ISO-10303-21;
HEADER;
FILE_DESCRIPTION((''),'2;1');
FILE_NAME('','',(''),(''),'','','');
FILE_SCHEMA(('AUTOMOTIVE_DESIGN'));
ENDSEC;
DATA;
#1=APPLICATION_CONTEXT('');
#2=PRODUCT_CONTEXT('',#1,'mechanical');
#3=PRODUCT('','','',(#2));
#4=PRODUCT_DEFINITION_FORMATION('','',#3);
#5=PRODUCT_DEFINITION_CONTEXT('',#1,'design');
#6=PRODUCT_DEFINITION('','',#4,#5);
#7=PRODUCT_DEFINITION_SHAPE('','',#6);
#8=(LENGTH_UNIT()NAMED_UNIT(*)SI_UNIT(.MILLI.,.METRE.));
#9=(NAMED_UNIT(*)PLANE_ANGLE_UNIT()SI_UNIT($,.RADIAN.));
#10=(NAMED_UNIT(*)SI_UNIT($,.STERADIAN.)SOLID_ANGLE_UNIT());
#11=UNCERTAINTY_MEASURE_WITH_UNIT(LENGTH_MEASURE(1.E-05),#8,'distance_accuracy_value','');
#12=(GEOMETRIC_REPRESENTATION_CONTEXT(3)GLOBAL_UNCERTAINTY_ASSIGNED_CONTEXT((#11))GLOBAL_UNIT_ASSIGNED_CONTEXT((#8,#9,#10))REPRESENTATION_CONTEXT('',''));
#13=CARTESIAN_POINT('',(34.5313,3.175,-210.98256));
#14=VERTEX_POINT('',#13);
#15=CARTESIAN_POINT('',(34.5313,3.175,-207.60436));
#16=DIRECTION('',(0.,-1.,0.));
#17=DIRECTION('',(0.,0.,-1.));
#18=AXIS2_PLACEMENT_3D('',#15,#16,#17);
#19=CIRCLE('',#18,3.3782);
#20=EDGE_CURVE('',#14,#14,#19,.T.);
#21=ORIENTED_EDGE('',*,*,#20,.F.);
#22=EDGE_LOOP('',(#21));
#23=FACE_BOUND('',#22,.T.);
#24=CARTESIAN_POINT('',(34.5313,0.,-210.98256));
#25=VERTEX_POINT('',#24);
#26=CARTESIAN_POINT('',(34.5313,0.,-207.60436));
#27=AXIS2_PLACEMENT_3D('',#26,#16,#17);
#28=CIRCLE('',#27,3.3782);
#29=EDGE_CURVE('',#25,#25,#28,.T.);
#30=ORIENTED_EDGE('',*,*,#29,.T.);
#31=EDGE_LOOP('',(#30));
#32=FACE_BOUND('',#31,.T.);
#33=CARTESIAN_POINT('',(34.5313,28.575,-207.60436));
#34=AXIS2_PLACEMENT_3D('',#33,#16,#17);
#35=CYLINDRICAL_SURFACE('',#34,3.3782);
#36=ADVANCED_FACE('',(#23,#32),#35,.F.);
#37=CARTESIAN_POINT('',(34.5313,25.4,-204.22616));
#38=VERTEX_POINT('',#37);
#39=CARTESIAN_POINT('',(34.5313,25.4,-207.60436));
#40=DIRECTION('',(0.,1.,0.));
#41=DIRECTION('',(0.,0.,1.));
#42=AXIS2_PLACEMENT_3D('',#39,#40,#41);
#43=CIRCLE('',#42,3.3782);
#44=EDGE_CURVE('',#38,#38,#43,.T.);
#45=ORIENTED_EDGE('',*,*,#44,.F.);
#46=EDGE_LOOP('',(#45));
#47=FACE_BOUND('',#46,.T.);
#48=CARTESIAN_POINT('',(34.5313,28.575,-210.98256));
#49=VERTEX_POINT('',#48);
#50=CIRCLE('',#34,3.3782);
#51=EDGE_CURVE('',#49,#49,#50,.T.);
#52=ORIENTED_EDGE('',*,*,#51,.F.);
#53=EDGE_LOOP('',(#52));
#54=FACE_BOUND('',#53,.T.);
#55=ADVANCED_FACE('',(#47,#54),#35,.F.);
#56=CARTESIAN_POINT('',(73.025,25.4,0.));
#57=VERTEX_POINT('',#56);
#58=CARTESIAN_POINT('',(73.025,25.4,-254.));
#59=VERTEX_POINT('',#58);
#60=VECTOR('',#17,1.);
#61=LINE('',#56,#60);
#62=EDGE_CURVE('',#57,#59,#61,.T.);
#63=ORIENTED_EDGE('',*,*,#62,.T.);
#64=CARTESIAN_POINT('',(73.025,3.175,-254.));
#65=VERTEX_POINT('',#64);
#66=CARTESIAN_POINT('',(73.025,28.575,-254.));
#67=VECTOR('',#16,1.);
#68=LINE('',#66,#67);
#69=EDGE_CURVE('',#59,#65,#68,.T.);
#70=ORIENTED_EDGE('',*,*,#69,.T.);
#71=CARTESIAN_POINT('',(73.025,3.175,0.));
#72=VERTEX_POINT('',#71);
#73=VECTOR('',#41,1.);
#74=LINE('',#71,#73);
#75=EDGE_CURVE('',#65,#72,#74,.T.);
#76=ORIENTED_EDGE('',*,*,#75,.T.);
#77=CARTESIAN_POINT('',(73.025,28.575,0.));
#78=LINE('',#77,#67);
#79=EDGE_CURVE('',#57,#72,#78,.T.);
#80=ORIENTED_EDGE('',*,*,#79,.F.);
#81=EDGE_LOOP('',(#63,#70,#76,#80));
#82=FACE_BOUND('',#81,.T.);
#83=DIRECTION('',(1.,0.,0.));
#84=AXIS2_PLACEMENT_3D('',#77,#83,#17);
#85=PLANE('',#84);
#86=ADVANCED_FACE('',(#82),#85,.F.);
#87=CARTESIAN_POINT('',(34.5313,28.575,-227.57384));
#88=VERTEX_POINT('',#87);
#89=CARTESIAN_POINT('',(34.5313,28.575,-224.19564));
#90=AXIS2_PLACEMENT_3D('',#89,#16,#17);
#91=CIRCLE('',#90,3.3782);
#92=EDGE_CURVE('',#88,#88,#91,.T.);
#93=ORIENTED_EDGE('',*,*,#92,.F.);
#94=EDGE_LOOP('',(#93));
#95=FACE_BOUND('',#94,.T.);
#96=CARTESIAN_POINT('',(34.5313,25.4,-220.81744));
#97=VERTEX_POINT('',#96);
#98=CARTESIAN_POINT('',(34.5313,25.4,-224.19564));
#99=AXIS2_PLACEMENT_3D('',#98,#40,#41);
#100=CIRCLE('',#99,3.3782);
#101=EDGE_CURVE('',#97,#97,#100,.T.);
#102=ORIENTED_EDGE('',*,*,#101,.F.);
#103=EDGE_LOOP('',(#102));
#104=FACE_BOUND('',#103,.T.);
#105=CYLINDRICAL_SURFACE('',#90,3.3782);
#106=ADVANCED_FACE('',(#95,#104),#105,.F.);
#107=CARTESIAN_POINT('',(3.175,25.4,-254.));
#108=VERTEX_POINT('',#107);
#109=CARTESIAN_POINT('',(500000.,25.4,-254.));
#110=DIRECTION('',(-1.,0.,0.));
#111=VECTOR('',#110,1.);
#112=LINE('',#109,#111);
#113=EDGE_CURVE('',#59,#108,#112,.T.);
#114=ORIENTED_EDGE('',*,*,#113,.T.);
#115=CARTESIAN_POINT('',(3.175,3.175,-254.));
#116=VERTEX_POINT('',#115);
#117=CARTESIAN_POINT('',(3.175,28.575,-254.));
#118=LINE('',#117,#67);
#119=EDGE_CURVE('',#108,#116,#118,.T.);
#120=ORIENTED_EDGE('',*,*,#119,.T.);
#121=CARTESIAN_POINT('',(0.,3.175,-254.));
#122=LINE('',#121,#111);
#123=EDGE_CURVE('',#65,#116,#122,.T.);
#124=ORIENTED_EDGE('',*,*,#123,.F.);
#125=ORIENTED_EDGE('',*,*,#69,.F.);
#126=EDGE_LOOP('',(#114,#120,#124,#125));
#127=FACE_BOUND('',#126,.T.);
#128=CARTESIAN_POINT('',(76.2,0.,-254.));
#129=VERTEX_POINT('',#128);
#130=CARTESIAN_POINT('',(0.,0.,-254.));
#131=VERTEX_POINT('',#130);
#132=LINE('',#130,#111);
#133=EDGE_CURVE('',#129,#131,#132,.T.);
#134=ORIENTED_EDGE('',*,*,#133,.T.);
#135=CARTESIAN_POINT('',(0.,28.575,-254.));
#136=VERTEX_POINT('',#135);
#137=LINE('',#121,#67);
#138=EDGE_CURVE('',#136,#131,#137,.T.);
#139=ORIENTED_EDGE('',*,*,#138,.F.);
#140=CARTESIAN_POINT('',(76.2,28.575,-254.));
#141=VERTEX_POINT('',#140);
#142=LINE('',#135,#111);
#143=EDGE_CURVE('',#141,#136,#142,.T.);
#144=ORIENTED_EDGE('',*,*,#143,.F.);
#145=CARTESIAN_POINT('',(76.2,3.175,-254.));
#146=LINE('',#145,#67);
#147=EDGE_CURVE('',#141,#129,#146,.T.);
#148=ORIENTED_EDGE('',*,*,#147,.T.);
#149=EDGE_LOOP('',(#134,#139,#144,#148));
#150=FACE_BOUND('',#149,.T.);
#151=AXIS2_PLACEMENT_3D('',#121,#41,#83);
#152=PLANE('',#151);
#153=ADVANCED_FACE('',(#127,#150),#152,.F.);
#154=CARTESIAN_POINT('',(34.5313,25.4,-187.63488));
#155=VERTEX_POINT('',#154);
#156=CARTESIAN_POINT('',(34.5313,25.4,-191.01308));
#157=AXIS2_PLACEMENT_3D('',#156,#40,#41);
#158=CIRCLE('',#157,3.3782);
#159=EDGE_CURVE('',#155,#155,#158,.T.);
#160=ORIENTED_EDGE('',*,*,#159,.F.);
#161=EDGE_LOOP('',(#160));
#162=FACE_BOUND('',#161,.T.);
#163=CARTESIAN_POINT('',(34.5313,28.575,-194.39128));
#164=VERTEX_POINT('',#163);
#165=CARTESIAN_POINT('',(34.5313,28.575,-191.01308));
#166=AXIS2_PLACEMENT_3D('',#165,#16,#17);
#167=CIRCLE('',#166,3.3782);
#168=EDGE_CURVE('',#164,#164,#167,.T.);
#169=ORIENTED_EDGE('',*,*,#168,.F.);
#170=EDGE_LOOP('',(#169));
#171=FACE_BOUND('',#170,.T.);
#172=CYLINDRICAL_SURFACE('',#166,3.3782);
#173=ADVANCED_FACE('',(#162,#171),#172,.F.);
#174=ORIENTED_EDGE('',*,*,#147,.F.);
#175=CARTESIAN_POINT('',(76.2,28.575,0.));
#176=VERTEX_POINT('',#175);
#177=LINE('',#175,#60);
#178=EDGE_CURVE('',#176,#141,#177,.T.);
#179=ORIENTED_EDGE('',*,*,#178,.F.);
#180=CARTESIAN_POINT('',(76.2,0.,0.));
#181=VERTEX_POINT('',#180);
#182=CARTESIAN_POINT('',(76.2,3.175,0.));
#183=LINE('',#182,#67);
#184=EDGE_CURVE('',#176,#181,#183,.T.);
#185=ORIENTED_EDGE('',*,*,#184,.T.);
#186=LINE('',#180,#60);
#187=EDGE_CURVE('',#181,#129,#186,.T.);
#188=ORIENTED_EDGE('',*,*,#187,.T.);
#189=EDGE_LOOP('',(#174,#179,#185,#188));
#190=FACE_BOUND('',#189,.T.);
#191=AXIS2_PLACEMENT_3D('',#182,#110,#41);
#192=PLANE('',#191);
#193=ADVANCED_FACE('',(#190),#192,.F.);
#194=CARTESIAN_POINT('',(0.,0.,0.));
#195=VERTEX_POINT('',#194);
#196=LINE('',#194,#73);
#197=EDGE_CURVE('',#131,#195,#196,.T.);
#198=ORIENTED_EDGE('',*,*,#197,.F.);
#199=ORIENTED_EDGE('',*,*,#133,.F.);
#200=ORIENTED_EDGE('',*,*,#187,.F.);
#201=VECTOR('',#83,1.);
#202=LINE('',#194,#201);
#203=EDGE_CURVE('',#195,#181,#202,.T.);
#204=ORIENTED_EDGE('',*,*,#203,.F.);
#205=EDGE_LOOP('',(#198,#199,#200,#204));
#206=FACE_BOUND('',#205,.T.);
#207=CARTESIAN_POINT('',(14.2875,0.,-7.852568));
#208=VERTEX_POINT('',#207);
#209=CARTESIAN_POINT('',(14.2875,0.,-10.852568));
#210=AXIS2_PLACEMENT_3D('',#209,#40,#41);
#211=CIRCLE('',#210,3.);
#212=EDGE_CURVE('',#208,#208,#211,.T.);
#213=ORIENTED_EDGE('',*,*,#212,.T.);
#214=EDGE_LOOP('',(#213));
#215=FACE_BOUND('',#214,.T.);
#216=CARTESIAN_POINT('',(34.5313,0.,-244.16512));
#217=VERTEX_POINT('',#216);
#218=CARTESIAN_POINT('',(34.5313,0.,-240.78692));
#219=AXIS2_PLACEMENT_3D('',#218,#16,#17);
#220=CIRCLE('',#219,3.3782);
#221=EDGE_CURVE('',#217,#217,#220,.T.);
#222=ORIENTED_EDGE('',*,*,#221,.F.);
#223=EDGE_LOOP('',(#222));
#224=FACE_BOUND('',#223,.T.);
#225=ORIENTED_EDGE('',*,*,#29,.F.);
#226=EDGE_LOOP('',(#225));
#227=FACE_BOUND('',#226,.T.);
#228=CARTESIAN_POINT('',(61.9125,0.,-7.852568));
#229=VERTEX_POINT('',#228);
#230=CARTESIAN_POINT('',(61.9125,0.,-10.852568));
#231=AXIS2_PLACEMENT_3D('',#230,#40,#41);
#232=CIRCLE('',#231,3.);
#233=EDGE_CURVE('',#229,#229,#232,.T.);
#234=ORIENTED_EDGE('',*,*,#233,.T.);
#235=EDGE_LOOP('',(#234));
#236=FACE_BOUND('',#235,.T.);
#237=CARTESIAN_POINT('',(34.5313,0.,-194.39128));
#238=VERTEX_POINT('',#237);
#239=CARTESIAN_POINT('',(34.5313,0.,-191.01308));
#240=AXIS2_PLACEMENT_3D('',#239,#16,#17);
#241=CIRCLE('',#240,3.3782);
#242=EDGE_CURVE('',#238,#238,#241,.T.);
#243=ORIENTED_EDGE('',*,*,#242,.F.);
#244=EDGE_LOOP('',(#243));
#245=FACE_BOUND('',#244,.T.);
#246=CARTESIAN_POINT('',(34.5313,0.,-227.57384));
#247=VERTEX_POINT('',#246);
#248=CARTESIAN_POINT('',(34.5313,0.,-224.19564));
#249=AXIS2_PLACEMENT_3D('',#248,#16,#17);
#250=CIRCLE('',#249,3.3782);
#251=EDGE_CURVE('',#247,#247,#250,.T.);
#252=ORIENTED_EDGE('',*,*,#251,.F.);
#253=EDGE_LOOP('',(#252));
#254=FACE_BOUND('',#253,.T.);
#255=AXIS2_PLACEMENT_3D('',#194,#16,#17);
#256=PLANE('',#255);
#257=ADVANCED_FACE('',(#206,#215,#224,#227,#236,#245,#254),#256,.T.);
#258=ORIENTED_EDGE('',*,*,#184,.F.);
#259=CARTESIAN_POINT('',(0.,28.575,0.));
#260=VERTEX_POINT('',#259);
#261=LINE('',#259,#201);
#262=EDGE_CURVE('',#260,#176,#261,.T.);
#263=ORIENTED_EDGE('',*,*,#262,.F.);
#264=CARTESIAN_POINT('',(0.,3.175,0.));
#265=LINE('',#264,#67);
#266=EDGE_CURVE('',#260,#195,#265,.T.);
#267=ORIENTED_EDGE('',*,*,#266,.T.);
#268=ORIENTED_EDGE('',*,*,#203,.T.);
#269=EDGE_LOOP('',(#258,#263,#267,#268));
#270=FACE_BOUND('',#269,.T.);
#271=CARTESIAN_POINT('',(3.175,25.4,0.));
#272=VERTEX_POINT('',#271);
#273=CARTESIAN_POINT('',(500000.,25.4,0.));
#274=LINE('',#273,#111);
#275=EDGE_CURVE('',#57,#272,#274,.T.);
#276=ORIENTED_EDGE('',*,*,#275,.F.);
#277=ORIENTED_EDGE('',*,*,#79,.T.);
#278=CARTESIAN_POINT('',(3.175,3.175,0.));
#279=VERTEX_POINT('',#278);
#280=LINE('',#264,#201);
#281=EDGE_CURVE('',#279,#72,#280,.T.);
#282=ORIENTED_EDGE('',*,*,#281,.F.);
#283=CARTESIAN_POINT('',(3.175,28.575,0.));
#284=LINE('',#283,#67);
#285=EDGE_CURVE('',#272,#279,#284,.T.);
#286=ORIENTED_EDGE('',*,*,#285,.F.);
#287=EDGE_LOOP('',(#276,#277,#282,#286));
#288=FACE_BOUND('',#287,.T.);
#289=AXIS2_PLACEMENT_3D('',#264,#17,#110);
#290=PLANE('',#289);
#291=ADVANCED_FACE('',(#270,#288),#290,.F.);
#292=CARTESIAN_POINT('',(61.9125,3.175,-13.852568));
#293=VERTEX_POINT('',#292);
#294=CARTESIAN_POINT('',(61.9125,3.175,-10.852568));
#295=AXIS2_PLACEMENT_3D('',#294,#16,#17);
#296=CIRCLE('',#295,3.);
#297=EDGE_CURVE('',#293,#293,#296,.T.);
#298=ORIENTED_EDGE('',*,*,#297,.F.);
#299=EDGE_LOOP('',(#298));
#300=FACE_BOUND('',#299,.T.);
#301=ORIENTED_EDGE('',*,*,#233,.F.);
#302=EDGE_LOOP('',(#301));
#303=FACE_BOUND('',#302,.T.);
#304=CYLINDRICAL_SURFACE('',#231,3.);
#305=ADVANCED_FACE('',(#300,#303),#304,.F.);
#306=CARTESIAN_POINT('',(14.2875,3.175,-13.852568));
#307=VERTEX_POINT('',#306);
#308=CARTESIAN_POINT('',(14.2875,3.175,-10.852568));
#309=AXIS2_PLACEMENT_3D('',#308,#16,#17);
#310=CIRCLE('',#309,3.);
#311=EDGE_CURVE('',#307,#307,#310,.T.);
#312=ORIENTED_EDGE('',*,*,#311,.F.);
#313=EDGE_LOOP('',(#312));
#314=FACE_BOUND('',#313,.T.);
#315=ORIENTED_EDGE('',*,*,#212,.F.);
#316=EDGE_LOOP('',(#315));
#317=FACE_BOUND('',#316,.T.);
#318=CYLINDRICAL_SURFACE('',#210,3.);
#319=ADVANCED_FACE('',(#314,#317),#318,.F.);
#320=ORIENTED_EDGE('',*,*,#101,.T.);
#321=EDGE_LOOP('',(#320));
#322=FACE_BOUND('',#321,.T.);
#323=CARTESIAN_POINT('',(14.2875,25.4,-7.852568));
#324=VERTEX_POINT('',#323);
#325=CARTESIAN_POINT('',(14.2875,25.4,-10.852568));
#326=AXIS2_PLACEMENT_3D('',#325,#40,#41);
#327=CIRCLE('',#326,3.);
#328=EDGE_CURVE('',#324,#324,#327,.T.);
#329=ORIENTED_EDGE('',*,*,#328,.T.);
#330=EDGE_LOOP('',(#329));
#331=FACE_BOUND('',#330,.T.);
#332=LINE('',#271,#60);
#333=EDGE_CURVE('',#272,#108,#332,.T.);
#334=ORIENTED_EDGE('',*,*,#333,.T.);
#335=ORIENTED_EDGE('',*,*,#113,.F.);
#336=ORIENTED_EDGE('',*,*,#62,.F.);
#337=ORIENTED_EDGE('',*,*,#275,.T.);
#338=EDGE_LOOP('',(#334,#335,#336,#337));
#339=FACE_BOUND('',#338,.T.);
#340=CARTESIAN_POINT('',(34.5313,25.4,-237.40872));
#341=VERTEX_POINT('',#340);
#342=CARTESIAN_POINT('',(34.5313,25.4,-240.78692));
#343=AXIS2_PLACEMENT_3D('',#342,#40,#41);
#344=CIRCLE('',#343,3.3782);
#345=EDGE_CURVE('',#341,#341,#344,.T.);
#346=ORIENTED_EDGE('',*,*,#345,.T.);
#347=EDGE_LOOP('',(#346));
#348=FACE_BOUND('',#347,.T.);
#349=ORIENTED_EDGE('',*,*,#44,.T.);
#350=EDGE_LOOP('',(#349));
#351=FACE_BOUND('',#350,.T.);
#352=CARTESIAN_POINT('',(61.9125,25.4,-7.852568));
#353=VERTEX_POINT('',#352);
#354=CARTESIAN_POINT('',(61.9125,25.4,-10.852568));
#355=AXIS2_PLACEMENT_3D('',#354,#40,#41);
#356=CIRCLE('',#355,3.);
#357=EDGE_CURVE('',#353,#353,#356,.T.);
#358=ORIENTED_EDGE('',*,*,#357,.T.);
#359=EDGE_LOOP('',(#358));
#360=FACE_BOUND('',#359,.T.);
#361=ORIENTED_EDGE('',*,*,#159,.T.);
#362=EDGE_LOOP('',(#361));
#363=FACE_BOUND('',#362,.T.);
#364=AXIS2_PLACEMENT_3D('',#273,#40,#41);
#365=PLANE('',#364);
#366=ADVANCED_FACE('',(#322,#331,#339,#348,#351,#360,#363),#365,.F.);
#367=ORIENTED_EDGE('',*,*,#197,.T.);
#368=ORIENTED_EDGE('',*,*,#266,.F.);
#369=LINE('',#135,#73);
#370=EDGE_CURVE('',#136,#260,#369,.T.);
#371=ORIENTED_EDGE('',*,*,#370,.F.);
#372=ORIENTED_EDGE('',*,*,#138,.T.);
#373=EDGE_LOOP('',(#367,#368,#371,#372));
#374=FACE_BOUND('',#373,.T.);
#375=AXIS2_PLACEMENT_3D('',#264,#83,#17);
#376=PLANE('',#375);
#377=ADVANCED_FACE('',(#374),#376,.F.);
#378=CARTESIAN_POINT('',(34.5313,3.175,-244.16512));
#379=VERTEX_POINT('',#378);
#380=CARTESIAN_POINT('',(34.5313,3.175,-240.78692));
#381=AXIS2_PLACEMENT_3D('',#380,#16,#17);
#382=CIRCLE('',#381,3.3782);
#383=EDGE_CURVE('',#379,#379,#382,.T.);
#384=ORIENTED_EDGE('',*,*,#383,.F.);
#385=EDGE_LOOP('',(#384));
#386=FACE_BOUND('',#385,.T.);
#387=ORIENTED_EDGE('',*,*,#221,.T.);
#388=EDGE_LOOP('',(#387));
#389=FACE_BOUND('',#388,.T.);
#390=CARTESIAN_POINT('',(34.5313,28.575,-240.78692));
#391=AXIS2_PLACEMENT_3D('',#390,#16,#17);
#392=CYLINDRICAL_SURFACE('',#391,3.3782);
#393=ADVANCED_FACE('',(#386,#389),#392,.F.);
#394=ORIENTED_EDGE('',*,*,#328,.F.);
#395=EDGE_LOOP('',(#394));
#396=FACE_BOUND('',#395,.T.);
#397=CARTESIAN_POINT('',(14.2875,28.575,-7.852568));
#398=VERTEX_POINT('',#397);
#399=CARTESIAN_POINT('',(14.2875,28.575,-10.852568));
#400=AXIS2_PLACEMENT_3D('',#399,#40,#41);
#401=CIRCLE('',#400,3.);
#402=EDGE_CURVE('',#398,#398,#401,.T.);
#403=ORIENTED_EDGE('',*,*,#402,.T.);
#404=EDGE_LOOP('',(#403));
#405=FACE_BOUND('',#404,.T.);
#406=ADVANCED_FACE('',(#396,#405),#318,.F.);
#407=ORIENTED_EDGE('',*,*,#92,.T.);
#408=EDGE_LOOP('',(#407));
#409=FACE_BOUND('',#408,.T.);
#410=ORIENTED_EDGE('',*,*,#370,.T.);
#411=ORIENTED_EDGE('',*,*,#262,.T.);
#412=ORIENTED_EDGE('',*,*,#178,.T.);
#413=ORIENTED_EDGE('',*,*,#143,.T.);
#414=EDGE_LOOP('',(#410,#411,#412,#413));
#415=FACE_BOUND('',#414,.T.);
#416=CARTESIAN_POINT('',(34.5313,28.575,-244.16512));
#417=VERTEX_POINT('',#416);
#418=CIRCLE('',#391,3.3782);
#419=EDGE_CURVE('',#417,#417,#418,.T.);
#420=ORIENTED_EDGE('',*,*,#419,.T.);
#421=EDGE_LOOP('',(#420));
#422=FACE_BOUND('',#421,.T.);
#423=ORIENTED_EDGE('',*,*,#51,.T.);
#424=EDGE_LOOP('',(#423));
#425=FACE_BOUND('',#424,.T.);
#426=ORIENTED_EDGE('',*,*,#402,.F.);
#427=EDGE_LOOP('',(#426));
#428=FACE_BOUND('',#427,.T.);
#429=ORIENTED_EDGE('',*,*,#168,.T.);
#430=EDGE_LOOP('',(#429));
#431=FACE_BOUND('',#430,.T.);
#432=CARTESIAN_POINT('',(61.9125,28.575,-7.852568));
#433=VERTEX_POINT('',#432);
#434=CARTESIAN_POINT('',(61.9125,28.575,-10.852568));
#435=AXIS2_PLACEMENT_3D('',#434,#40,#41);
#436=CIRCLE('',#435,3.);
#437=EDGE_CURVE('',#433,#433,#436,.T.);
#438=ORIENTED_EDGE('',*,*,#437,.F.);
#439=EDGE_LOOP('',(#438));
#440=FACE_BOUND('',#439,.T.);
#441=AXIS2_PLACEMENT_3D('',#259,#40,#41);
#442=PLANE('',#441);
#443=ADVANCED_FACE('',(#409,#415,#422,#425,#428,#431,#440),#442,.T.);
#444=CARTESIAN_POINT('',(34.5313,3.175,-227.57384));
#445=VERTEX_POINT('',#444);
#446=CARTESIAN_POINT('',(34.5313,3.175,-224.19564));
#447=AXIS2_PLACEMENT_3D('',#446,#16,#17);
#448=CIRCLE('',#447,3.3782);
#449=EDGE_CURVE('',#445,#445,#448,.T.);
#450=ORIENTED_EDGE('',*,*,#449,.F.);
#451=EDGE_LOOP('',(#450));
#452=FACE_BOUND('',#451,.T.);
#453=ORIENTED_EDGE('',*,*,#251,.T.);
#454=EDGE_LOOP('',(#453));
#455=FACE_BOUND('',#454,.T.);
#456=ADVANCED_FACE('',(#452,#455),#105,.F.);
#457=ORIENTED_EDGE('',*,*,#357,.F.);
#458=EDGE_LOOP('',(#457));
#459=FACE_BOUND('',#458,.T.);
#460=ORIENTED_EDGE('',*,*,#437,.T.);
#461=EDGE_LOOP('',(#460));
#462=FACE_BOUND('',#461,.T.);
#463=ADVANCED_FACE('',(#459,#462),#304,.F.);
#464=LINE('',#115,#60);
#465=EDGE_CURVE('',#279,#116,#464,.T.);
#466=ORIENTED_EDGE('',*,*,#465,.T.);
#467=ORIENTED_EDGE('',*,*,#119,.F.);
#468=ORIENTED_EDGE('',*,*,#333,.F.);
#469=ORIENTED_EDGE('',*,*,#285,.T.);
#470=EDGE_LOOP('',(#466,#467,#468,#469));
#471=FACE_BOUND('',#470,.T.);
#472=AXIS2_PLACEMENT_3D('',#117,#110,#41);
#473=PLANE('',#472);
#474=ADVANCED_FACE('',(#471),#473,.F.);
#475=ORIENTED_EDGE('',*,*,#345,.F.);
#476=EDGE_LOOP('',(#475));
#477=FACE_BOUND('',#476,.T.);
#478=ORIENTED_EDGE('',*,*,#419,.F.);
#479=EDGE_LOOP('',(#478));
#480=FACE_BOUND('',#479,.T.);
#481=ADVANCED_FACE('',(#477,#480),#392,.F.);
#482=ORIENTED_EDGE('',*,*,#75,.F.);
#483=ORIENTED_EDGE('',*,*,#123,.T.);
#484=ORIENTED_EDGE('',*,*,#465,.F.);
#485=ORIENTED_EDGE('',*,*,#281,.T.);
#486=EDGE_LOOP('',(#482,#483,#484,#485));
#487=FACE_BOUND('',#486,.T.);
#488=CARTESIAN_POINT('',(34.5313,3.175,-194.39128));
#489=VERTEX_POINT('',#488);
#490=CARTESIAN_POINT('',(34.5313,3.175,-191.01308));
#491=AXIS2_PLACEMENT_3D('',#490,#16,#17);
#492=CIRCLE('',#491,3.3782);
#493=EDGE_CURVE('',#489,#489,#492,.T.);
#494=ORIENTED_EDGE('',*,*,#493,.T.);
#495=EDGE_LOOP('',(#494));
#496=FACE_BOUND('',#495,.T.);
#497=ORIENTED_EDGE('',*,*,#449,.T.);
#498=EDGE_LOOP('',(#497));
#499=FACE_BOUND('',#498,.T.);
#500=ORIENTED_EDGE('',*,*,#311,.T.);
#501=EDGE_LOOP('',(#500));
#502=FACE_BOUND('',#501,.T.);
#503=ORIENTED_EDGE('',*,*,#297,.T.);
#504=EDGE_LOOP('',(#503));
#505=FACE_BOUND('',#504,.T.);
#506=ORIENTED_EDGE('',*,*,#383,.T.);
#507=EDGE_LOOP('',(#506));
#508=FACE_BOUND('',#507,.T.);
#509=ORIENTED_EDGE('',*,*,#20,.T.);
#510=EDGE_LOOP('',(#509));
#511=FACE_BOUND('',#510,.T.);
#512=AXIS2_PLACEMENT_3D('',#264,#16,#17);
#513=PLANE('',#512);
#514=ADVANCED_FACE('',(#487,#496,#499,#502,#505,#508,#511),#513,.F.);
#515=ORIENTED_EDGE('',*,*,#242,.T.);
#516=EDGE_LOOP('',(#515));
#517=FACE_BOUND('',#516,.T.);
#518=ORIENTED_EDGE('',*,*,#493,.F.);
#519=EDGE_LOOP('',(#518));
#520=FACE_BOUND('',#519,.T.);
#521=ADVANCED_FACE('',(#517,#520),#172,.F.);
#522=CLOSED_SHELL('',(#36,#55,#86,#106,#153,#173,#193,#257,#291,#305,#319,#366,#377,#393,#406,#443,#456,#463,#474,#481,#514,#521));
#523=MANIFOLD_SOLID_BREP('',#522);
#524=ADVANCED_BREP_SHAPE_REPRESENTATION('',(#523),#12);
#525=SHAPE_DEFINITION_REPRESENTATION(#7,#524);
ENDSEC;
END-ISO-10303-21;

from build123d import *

# Parameters (mm, degrees)
SKETCH1_W           = 76.2
SKETCH1_H           = 254
BOSS_EXTRUDE1_DEPTH = 3.175
SKETCH2_W           = 3.175
SKETCH2_H           = 254
BOSS_EXTRUDE2_DEPTH = 25.4
BOSS_EXTRUDE3_REACH = 75.025
SKETCH3_W           = 254
SKETCH3_H           = 3.175
SKETCH4_R           = 3.3782
CUT_EXTRUDE1_DEPTH  = 29.575
SKETCH5_R           = 3
CUT_EXTRUDE2_DEPTH  = 29.575


with BuildPart() as part:
    # Sketch1 → Boss-Extrude1 (new body)
    with BuildSketch(Plane(origin=(0, 0, 0), x_dir=(1, 0, 0), z_dir=(0, 1, 0))):
        with Locations((38.1, 127)):
            Rectangle(SKETCH1_W, SKETCH1_H)
    extrude(amount=BOSS_EXTRUDE1_DEPTH)

    # Sketch2 → Boss-Extrude2 (add)
    with BuildSketch(Plane(origin=(0, 3.175, 0), x_dir=(1, 0, 0), z_dir=(0, 1, 0))):
        with Locations((1.5875, 127)):
            Rectangle(SKETCH2_W, SKETCH2_H)
        with Locations((74.6125, 127)):
            Rectangle(SKETCH2_W, SKETCH2_H)
    extrude(amount=BOSS_EXTRUDE2_DEPTH)

    # Sketch3 → Boss-Extrude3 (add, up to next)
    with BuildSketch(Plane(origin=(3.175, 0, 0), x_dir=(0, 0, -1), z_dir=(1, 0, 0)), mode=Mode.PRIVATE) as boss_extrude3_sk1:
        with Locations((127, 26.9875)):
            Rectangle(SKETCH3_W, SKETCH3_H)
    boss_extrude3_tool1 = extrude(boss_extrude3_sk1.sketch, amount=BOSS_EXTRUDE3_REACH, mode=Mode.PRIVATE) - part.part
    add(boss_extrude3_tool1.solids().sort_by_distance((3.175, 26.9875, -127))[0])

    # Sketch4 → Cut-Extrude1 (cut, through all)
    with BuildSketch(Plane.XZ):
        with Locations((34.5313, -191.01308)):
            Circle(SKETCH4_R)
        with Locations((34.5313, -207.60436)):
            Circle(SKETCH4_R)
        with Locations((34.5313, -224.19564)):
            Circle(SKETCH4_R)
        with Locations((34.5313, -240.78692)):
            Circle(SKETCH4_R)
    extrude(amount=-CUT_EXTRUDE1_DEPTH, mode=Mode.SUBTRACT)

    # Sketch5 → Cut-Extrude2 (cut, through all)
    with BuildSketch(Plane(origin=(0, 28.575, 0), x_dir=(1, 0, 0), z_dir=(0, 1, 0))):
        with Locations((14.2875, 10.852567875)):
            Circle(SKETCH5_R)
        with Locations((61.9125, 10.852567875)):
            Circle(SKETCH5_R)
    extrude(amount=-CUT_EXTRUDE2_DEPTH, mode=Mode.SUBTRACT)


solid = part.part
